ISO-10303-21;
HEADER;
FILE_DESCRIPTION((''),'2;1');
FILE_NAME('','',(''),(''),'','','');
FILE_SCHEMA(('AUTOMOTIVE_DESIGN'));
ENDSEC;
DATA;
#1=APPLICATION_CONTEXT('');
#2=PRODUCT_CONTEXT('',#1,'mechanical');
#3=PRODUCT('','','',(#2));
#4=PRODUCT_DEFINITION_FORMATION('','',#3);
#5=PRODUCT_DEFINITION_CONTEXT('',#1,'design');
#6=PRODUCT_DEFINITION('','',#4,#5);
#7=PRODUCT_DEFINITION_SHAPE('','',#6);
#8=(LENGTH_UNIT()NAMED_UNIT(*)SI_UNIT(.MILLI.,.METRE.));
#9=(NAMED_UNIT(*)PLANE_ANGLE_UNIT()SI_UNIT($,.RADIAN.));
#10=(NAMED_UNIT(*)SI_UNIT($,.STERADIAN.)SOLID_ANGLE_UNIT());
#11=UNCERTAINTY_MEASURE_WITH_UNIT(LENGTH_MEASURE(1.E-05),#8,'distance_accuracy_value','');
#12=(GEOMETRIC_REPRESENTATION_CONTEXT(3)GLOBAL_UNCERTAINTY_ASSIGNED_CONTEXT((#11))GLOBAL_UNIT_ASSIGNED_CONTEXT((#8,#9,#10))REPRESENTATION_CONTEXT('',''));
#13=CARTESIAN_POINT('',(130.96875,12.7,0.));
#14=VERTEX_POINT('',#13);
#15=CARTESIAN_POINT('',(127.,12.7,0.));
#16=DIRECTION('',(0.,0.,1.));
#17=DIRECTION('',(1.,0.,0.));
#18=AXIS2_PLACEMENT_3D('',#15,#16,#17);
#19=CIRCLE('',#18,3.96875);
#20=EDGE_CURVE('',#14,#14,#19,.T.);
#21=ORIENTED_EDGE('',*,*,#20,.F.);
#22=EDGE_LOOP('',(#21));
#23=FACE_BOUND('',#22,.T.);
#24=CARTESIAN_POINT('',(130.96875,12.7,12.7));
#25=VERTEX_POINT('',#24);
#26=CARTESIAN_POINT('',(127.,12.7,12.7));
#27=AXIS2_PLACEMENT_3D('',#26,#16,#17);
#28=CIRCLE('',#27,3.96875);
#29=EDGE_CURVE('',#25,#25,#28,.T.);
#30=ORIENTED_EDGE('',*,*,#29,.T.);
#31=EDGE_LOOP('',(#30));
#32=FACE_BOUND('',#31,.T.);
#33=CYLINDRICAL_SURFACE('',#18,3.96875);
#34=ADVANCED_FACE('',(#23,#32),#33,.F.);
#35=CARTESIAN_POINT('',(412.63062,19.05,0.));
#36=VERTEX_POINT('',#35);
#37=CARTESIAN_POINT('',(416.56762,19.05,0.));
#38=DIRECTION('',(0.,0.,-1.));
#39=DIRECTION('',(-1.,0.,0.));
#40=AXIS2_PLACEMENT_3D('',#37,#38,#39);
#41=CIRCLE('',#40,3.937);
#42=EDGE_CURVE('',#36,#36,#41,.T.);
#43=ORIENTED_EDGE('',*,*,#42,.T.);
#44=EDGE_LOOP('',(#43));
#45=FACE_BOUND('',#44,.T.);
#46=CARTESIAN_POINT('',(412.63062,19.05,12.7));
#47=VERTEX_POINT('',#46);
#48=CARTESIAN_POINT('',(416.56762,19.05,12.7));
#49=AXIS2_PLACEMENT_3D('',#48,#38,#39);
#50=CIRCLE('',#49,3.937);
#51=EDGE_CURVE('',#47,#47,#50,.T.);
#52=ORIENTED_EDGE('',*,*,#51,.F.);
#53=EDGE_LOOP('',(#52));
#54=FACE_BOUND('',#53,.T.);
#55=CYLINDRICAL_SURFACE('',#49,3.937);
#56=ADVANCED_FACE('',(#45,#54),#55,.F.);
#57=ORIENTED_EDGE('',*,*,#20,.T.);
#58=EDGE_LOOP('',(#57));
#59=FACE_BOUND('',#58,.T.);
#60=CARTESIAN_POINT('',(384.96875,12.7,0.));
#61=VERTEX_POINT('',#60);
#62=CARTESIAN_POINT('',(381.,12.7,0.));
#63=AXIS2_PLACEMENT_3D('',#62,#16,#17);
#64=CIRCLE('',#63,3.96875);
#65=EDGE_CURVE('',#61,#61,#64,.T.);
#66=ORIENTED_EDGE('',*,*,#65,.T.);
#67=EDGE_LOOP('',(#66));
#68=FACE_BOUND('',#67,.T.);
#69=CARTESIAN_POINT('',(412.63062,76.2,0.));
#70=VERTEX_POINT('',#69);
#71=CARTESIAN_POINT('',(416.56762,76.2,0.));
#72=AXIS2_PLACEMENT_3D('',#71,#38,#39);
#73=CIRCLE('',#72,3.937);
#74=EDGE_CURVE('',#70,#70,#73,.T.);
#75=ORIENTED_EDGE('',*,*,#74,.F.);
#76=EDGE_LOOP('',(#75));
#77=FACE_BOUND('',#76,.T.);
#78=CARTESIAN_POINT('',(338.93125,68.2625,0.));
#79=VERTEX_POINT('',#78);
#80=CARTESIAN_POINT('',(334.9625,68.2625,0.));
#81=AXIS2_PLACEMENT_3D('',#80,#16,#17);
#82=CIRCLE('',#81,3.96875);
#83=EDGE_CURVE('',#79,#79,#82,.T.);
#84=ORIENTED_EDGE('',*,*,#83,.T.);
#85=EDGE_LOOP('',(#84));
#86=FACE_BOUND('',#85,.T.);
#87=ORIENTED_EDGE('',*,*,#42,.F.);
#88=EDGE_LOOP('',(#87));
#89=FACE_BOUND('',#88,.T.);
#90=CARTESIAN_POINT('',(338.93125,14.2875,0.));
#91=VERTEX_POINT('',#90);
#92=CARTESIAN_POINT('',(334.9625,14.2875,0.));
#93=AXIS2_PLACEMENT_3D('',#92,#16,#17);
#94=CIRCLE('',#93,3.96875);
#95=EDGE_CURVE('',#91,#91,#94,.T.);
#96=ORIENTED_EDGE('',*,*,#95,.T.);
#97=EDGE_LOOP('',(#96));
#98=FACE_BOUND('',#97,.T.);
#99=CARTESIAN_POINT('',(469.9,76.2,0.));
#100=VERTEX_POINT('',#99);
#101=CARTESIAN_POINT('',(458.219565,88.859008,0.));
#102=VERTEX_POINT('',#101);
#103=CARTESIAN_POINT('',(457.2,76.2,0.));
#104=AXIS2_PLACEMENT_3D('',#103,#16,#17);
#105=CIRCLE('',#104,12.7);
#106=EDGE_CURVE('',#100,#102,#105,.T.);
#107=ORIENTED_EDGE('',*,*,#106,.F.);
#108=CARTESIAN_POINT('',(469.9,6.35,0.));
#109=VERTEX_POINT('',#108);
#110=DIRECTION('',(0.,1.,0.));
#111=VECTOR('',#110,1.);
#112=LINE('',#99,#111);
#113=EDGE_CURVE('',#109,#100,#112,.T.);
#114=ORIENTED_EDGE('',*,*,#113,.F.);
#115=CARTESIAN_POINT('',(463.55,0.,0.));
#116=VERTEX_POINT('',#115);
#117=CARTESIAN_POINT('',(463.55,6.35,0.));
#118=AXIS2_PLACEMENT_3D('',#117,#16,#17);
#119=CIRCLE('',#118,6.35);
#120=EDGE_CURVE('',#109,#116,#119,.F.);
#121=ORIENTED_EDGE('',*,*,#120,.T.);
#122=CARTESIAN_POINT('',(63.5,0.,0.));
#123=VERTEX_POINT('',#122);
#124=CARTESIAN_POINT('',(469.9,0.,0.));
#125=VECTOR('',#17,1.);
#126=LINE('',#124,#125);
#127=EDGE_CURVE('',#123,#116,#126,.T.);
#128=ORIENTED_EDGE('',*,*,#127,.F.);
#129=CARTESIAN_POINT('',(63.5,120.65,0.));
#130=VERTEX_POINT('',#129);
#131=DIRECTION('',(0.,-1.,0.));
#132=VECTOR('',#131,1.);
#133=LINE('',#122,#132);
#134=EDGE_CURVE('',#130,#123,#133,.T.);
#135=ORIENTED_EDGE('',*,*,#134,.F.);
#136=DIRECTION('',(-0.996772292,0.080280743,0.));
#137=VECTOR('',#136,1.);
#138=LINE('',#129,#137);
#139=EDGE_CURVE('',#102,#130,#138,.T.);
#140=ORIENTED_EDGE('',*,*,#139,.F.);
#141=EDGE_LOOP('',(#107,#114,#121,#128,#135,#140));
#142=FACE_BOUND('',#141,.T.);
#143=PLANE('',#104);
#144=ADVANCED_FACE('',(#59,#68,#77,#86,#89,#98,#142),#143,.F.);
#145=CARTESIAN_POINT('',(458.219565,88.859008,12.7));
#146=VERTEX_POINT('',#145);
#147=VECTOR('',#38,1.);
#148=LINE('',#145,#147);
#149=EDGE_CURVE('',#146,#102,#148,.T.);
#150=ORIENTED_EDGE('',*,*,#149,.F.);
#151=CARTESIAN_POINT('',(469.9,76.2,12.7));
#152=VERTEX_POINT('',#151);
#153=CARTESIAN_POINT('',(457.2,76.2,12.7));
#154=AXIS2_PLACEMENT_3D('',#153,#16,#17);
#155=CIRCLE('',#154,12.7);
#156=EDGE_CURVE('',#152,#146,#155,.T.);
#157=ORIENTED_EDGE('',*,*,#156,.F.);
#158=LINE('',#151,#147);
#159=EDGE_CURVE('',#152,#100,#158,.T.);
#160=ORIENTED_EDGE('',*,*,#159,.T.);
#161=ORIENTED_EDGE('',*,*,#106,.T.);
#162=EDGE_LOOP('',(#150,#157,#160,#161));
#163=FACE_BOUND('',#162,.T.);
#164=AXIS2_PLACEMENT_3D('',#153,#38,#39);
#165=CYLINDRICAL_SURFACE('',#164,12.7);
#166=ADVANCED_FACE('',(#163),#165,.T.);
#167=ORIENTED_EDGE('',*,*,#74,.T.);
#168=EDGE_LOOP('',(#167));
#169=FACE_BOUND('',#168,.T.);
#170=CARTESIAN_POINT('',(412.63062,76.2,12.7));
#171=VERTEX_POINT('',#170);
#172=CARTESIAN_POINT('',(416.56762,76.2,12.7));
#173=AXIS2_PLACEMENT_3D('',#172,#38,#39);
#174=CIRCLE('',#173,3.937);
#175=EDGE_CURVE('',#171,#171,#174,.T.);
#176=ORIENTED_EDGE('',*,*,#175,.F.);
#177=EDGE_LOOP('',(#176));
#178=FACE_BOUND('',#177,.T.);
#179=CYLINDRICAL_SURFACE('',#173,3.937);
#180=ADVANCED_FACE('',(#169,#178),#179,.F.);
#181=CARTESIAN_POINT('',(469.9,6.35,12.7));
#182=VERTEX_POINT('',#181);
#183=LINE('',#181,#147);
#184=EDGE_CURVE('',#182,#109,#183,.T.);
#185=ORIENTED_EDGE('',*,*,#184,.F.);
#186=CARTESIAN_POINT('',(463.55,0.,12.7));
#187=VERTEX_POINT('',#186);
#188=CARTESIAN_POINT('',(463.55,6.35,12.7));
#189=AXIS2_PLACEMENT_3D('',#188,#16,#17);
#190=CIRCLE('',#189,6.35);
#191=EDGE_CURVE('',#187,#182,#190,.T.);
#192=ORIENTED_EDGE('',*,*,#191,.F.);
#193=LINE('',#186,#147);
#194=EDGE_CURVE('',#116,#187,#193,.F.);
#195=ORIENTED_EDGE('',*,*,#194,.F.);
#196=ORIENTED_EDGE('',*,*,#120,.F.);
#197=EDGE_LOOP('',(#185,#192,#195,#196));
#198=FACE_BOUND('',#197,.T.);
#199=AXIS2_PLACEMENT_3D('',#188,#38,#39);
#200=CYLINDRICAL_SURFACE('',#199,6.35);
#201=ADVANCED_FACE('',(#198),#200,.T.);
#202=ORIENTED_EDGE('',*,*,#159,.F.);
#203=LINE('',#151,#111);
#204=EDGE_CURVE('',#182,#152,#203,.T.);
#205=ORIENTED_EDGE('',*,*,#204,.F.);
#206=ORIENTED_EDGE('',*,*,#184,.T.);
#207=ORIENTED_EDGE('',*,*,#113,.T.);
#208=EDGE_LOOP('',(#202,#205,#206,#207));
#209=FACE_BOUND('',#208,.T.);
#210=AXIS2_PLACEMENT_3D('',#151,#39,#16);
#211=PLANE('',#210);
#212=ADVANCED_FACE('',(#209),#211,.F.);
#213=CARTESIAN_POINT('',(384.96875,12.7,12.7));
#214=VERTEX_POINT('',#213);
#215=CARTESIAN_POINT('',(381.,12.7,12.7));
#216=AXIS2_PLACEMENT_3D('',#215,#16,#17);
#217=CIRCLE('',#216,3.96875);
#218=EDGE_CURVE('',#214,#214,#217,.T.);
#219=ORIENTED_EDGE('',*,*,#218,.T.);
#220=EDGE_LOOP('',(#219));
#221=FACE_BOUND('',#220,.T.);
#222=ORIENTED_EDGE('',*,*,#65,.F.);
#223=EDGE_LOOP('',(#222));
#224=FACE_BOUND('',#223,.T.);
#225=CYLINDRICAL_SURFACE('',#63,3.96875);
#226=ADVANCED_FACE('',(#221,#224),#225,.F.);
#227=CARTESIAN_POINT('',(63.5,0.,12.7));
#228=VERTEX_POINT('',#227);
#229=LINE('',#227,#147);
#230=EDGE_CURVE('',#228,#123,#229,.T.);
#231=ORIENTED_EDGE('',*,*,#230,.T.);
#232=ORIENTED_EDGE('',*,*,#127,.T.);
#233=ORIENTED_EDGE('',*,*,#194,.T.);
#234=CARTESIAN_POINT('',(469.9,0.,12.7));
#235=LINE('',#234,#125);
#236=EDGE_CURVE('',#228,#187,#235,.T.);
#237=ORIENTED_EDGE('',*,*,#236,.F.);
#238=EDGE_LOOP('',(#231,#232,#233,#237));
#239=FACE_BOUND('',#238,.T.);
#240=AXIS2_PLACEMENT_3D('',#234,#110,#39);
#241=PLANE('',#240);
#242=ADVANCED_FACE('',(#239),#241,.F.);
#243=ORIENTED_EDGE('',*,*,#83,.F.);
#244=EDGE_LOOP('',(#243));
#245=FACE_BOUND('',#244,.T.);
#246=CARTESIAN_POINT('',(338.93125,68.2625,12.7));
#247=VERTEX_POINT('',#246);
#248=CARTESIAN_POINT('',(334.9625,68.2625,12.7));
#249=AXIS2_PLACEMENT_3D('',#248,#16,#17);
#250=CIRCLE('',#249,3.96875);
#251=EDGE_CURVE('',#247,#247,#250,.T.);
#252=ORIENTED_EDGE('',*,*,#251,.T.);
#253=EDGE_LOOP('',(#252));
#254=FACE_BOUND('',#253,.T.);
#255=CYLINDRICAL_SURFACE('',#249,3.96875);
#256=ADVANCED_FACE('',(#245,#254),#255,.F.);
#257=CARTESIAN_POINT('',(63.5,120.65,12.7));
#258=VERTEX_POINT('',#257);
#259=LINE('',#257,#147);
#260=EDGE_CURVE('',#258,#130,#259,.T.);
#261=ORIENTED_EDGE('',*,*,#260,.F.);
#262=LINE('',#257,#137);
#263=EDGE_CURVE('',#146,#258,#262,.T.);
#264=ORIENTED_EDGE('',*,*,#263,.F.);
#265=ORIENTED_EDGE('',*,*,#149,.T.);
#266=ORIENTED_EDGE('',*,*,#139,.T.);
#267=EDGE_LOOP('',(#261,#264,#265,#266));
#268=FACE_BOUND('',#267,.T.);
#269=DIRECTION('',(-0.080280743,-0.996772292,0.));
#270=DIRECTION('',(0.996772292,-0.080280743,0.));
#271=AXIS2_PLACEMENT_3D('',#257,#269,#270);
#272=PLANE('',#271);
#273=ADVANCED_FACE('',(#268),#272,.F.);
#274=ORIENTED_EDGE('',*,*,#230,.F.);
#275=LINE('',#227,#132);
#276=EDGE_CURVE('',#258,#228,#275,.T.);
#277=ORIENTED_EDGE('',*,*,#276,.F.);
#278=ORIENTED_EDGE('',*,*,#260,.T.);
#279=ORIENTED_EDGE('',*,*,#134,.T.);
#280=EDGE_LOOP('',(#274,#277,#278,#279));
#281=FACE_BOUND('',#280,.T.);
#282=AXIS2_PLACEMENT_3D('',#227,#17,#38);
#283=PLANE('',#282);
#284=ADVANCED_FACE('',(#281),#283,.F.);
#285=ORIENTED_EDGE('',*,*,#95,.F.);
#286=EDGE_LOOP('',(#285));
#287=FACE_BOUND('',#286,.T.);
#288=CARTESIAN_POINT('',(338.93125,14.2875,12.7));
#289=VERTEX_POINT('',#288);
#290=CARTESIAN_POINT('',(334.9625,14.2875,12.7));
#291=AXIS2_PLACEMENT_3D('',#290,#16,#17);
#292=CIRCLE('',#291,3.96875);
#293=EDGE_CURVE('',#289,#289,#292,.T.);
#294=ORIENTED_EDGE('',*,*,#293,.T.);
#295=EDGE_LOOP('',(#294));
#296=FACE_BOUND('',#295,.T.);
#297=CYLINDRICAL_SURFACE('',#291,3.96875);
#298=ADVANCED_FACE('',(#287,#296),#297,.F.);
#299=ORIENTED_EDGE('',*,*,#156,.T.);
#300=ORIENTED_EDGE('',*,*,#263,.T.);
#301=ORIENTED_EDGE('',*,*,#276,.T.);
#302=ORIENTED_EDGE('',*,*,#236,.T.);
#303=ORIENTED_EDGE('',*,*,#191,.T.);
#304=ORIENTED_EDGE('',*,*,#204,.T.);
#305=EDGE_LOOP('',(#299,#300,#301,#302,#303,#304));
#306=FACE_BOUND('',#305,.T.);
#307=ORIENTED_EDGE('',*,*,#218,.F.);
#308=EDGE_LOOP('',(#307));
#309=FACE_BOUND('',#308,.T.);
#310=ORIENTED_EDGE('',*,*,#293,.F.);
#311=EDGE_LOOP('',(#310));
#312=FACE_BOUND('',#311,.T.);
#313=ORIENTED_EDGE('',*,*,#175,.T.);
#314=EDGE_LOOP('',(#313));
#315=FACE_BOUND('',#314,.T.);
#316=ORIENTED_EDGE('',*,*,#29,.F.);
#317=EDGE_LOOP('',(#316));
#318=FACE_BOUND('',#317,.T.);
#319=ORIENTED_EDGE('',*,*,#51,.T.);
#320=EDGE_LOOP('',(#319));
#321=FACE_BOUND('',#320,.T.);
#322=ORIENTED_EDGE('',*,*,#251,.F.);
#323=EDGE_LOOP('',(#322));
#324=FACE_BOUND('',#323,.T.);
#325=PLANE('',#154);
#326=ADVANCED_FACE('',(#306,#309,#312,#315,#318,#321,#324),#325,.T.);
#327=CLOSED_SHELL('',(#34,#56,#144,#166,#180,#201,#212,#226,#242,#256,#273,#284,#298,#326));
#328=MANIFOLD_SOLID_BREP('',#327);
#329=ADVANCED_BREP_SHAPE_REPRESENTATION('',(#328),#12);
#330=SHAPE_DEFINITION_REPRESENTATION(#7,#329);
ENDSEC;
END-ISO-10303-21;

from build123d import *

# Parameters (mm, degrees)
BOSS_EXTRUDE1_DEPTH            = 12.7
SKETCH2_R                      = 3.96875
CUT_EXTRUDE1_DEPTH             = 13.7
FILLET1_R                      = 6.35
SKETCH4_R                      = 3.937
CUT_EXTRUDE2_DEPTH             = 13.7
F_5_16_0_3125_DIAMETER_HOLE1_D = 7.9375


with BuildPart() as part:
    # Sketch1 → Boss-Extrude1 (new body)
    with BuildSketch(Plane.XY):
        with BuildLine():
            Line((63.5, 0), (63.5, 120.65))
            Line((63.5, 120.65), (458.219565432, 88.85900811))
            ThreePointArc((458.219565432, 88.85900811), (466.533768826, 84.812244743), (469.9, 76.2))
            Line((469.9, 76.2), (469.9, 0))
            Line((469.9, 0), (63.5, 0))
        make_face()
    extrude(amount=BOSS_EXTRUDE1_DEPTH)

    # Sketch2 → Cut-Extrude1 (cut, through all)
    with BuildSketch(Plane.XY.offset(12.7)):
        with Locations((127, 12.7)):
            Circle(SKETCH2_R)
        with Locations((381, 12.7)):
            Circle(SKETCH2_R)
    extrude(amount=-CUT_EXTRUDE1_DEPTH, mode=Mode.SUBTRACT)

    # Fillet1
    fillet1_edges = [part.edges().sort_by_distance(p)[0] for p in [
        (469.9, 0, 6.35),
    ]]
    fillet(fillet1_edges, radius=FILLET1_R)

    # Sketch4 → Cut-Extrude2 (cut, through all)
    with BuildSketch(Plane(origin=(0, 0, 0), x_dir=(-1, 0, 0), z_dir=(0, 0, -1))):
        with Locations((-416.56762, 76.2)):
            Circle(SKETCH4_R)
        with Locations((-416.56762, 19.05)):
            Circle(SKETCH4_R)
    extrude(amount=-CUT_EXTRUDE2_DEPTH, mode=Mode.SUBTRACT)

    # 5/16 (0.3125) Diameter Hole1 (through all)
    with Locations(Plane.XY.offset(12.7)):
        with Locations((334.9625, 14.2875), (334.9625, 68.2625)):
            Hole(F_5_16_0_3125_DIAMETER_HOLE1_D / 2)


solid = part.part
